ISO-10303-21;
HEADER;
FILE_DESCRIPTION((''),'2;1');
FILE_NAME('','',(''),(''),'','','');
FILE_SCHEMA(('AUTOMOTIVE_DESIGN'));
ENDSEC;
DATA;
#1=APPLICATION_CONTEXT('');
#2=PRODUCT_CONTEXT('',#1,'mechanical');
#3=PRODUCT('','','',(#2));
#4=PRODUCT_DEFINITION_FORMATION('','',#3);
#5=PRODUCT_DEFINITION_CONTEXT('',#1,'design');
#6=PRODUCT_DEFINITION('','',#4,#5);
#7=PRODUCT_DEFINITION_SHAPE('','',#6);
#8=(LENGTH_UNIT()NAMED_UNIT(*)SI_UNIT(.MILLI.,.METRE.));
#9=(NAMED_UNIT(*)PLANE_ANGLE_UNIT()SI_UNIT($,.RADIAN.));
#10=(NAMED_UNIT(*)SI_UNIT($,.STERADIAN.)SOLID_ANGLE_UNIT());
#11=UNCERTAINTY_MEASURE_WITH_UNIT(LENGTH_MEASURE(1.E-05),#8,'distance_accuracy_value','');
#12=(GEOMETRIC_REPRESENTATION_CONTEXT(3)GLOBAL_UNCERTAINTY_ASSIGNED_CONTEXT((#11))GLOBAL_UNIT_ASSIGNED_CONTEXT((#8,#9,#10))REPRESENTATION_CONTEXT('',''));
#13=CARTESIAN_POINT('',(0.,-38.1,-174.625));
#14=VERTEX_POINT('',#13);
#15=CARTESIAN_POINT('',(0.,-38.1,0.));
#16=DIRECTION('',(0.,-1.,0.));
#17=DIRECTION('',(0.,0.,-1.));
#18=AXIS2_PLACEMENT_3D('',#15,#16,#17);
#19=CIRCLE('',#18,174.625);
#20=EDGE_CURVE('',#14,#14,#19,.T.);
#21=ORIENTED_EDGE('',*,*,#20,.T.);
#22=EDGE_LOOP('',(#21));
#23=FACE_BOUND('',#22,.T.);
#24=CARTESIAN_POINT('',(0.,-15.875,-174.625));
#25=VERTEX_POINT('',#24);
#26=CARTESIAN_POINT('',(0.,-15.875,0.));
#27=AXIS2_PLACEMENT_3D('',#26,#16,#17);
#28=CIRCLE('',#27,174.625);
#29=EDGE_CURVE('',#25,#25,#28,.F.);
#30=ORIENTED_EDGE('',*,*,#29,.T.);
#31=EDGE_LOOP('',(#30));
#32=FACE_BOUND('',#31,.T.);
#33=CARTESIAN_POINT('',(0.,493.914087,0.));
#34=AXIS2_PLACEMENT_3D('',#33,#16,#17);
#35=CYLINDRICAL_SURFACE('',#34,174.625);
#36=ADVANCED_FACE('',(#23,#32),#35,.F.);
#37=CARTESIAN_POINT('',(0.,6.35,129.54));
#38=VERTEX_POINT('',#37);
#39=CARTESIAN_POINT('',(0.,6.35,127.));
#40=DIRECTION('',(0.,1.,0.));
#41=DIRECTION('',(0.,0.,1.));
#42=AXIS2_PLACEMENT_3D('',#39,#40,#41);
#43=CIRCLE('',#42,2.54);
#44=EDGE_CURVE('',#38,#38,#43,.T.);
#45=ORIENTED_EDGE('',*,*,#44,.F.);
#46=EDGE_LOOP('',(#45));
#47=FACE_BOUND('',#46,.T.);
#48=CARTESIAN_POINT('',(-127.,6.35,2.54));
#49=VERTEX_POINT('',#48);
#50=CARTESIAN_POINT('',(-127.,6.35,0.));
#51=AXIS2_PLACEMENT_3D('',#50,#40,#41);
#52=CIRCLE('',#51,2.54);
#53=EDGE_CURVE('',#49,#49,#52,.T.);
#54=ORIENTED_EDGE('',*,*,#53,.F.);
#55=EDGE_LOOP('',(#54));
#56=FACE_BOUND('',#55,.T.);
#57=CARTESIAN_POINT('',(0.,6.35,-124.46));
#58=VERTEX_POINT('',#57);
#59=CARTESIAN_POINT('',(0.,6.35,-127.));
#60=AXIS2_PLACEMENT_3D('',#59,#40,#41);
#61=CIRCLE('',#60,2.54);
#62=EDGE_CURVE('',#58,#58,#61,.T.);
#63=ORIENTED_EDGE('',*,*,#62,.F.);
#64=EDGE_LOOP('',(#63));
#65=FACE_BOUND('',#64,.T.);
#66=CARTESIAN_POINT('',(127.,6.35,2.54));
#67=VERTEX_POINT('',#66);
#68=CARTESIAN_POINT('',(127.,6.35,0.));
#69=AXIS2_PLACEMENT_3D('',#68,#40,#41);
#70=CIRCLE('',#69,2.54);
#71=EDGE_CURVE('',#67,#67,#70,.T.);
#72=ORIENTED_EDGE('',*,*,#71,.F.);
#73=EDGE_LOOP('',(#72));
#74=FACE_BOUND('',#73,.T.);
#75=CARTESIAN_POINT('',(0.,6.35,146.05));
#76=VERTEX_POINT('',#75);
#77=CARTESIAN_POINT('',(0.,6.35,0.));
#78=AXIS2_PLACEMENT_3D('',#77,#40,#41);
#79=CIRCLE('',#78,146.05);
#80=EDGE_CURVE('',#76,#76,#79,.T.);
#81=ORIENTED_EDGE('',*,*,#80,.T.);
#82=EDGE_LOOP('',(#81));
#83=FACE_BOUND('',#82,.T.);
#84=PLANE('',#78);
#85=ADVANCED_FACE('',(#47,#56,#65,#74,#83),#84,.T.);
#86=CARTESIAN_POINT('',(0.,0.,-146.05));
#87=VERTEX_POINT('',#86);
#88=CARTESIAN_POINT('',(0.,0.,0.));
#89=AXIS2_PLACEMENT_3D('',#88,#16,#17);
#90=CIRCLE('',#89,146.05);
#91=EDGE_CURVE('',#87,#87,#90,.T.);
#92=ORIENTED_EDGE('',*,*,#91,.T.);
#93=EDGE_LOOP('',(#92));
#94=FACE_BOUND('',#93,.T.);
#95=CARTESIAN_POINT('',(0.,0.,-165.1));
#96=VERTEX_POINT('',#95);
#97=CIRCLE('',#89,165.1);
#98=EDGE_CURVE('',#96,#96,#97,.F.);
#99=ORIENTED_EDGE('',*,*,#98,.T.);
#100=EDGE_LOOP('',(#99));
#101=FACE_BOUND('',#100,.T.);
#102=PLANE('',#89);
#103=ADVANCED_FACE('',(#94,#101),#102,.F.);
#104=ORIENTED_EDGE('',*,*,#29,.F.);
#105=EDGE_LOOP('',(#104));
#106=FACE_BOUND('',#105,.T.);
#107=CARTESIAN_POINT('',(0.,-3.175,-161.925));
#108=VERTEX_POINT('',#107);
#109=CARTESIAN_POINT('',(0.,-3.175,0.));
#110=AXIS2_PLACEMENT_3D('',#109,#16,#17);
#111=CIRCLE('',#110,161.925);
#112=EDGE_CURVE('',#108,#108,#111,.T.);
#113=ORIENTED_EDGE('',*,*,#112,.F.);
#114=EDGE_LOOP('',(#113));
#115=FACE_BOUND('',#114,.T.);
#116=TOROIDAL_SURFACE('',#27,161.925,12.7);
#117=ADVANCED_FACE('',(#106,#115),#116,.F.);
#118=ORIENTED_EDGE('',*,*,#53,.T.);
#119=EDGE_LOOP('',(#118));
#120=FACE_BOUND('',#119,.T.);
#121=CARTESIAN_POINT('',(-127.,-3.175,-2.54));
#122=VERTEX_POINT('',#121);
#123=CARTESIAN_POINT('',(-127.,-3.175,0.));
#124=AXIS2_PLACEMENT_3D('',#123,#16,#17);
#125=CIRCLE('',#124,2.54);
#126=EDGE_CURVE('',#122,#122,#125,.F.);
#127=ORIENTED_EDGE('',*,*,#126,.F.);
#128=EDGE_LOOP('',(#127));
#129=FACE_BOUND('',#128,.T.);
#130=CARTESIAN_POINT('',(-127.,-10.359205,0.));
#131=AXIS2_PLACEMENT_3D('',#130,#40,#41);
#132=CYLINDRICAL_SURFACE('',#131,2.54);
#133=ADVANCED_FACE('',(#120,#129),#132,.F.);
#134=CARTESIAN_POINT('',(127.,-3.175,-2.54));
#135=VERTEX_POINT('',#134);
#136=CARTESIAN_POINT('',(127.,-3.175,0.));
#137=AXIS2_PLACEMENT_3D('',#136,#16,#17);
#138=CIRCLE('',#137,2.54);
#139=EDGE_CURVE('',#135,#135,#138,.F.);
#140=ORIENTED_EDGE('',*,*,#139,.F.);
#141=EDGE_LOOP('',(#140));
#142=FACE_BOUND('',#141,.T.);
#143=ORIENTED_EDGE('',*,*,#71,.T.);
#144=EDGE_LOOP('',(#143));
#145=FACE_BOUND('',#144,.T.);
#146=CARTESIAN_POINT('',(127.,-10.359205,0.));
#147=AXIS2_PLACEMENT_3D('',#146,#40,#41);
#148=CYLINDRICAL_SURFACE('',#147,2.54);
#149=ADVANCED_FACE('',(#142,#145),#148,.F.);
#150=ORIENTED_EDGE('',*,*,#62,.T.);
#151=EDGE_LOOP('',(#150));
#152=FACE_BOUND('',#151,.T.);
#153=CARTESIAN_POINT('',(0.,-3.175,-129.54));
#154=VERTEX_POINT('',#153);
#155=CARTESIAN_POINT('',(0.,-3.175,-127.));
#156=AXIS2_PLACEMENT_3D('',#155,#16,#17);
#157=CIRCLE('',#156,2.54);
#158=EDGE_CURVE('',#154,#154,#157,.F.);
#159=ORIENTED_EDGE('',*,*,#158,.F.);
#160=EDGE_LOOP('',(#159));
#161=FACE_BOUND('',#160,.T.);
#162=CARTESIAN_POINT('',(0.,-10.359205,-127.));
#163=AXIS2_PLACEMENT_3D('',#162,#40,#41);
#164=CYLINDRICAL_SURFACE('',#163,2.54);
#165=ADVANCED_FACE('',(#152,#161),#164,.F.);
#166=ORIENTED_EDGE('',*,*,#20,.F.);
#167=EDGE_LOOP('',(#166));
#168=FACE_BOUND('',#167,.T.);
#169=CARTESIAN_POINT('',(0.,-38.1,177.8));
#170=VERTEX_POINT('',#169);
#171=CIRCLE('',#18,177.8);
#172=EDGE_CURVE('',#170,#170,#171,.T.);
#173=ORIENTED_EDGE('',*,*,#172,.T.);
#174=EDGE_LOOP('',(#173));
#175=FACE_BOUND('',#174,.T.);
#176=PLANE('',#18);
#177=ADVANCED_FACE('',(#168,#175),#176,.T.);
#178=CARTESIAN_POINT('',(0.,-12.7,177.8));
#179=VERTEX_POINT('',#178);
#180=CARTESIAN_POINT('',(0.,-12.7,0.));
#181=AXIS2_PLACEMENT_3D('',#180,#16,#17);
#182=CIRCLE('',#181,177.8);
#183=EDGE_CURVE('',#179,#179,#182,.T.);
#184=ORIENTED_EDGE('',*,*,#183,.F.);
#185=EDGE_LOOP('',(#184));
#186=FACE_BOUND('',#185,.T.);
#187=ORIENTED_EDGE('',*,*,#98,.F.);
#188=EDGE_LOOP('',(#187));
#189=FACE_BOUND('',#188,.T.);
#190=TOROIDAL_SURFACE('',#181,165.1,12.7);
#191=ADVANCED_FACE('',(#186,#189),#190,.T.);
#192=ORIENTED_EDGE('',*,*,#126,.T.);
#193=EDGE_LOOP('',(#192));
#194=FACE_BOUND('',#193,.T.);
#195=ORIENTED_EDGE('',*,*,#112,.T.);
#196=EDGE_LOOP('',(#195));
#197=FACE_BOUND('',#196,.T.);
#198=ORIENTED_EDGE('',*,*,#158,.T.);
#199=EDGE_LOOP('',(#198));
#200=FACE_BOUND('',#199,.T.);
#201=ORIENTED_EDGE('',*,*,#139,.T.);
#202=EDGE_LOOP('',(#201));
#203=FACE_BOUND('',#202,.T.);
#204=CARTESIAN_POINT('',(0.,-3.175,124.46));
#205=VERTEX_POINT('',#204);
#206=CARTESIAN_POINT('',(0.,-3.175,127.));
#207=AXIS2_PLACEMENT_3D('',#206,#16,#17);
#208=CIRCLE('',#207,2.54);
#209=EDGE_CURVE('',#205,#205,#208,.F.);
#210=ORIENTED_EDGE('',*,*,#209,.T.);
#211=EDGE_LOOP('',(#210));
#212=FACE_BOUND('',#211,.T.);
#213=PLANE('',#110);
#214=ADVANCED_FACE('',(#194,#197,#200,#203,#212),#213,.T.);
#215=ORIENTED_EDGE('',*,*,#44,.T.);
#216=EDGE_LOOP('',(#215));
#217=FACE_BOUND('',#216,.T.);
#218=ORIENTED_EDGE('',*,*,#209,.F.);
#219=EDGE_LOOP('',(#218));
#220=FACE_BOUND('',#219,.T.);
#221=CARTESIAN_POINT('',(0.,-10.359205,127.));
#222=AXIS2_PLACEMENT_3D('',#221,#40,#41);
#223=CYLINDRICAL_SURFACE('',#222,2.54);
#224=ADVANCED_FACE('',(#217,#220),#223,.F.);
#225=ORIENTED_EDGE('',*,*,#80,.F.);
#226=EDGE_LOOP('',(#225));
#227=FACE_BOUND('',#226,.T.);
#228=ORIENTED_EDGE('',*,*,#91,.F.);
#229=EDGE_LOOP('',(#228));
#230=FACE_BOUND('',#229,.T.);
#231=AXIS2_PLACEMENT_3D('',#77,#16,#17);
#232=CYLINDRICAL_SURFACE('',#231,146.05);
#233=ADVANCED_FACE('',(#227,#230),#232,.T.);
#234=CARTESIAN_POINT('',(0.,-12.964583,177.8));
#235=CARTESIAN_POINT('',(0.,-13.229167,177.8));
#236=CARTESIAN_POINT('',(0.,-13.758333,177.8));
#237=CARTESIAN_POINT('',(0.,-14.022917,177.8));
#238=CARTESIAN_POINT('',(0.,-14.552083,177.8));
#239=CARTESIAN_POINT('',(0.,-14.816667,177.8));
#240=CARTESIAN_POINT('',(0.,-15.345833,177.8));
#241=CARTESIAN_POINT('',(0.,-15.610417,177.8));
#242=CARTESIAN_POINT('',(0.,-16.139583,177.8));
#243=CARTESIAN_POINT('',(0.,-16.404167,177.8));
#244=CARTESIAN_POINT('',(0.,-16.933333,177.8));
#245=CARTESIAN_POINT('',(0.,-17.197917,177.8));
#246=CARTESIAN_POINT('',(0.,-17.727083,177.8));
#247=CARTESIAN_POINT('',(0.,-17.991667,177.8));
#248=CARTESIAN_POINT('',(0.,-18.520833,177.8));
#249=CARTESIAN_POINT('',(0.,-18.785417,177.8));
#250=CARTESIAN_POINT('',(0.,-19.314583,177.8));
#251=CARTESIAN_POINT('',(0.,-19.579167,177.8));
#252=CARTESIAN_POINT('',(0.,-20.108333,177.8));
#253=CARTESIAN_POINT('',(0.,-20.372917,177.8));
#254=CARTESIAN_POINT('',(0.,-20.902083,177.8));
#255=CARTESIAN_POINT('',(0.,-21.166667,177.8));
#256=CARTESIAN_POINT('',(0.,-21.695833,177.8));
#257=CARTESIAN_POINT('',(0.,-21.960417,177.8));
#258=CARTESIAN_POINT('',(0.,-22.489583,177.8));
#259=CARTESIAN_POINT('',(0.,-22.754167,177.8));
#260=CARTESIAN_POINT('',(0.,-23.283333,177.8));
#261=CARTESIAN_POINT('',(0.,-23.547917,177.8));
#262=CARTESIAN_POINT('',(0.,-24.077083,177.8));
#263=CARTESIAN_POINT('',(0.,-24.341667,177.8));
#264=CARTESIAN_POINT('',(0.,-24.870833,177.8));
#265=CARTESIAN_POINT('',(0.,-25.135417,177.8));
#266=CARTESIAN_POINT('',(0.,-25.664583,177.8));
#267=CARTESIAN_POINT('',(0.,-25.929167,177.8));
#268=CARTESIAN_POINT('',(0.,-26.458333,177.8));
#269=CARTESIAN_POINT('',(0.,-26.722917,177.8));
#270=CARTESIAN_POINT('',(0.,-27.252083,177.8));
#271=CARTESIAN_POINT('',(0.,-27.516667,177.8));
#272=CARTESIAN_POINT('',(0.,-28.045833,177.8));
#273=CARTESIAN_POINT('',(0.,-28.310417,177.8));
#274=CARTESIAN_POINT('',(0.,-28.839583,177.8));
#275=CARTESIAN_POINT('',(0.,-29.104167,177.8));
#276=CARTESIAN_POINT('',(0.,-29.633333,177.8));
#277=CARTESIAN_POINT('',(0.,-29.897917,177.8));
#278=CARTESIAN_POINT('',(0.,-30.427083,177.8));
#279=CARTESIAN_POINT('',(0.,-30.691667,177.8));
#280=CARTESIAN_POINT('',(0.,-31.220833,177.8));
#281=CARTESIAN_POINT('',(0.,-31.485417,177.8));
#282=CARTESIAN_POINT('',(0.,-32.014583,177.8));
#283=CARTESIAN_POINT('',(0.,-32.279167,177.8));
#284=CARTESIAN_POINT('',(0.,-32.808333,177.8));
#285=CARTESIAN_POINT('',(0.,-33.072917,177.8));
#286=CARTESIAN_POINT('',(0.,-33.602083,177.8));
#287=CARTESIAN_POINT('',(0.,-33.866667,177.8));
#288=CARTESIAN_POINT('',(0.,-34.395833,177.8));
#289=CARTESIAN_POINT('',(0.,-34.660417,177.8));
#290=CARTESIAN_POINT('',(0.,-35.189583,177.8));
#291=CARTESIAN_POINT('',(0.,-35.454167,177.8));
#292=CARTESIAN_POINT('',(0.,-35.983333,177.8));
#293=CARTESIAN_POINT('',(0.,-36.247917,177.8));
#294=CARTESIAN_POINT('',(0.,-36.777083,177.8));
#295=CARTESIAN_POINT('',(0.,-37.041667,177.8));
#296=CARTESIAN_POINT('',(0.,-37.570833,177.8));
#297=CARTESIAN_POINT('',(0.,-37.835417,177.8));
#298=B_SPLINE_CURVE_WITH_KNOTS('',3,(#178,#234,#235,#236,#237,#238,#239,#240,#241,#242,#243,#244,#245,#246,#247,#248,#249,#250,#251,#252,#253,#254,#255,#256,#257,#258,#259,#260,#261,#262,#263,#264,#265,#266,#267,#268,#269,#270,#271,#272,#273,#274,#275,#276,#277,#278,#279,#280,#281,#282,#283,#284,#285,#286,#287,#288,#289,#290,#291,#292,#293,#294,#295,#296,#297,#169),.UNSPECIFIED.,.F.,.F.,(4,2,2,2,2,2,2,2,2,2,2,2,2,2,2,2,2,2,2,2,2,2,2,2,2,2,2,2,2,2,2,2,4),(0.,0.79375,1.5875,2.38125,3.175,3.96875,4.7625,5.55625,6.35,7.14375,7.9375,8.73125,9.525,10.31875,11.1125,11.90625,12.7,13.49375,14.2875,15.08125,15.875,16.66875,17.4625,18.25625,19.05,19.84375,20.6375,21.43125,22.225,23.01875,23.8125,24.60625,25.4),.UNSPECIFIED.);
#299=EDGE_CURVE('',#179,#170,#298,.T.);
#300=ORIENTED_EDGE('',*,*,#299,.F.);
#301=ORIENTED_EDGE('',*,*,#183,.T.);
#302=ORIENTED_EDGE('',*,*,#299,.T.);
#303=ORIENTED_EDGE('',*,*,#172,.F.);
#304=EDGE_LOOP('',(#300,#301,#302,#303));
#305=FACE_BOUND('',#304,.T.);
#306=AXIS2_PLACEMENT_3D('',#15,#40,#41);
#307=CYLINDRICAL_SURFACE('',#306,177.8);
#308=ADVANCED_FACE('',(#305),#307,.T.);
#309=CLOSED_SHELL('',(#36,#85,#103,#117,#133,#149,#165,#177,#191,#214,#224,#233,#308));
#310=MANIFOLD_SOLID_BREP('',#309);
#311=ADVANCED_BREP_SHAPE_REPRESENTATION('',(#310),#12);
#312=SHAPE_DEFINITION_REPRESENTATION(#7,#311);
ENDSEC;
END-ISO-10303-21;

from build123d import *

# Parameters (mm, degrees)
SKETCH1_R           = 146.05
BOSS_EXTRUDE1_DEPTH = 6.35
SKETCH2_R           = 177.8
BOSS_EXTRUDE2_DEPTH = 38.1
SKETCH3_R           = 174.625
CUT_EXTRUDE2_DEPTH  = 34.925
FILLET2_R           = 12.7
FILLET3_R           = 12.7
SKETCH4_R           = 2.54
CUT_EXTRUDE3_DEPTH  = 9.525


with BuildPart() as part:
    # Sketch1 → Boss-Extrude1 (new body)
    with BuildSketch(Plane(origin=(0, 0, 0), x_dir=(1, 0, 0), z_dir=(0, 1, 0))):
        with Locations(Location((0, 0, 0), (0, 0, 270))):
            Circle(SKETCH1_R)
    extrude(amount=BOSS_EXTRUDE1_DEPTH)

    # Sketch2 → Boss-Extrude2 (add)
    with BuildSketch(Plane.XZ):
        with Locations(Location((0, 0, 0), (0, 0, 90))):
            Circle(SKETCH2_R)
    extrude(amount=BOSS_EXTRUDE2_DEPTH)

    # Sketch3 → Cut-Extrude2 (cut)
    with BuildSketch(Plane.XZ.offset(38.1)):
        with Locations(Location((0, 0, 0), (0, 0, 270))):
            Circle(SKETCH3_R)
    extrude(amount=-CUT_EXTRUDE2_DEPTH, mode=Mode.SUBTRACT)

    # Fillet2
    fillet2_edges = [part.edges().sort_by_distance(p)[0] for p in [
        (0, -3.175, 174.625),
    ]]
    fillet(fillet2_edges, radius=FILLET2_R)

    # Fillet3
    fillet3_edges = [part.edges().sort_by_distance(p)[0] for p in [
        (0, 0, -177.8),
    ]]
    fillet(fillet3_edges, radius=FILLET3_R)

    # Sketch4 → Cut-Extrude3 (cut)
    with BuildSketch(Plane(origin=(0, 6.35, 0), x_dir=(1, 0, 0), z_dir=(0, 1, 0))):
        with Locations(Location((0, 127, 0), (0, 0, 270))):
            Circle(SKETCH4_R)
        with Locations(Location((127, 0, 0), (0, 0, 270))):
            Circle(SKETCH4_R)
        with Locations(Location((-127, 0, 0), (0, 0, 270))):
            Circle(SKETCH4_R)
        with Locations(Location((0, -127, 0), (0, 0, 270))):
            Circle(SKETCH4_R)
    extrude(amount=-CUT_EXTRUDE3_DEPTH, mode=Mode.SUBTRACT)


solid = part.part
